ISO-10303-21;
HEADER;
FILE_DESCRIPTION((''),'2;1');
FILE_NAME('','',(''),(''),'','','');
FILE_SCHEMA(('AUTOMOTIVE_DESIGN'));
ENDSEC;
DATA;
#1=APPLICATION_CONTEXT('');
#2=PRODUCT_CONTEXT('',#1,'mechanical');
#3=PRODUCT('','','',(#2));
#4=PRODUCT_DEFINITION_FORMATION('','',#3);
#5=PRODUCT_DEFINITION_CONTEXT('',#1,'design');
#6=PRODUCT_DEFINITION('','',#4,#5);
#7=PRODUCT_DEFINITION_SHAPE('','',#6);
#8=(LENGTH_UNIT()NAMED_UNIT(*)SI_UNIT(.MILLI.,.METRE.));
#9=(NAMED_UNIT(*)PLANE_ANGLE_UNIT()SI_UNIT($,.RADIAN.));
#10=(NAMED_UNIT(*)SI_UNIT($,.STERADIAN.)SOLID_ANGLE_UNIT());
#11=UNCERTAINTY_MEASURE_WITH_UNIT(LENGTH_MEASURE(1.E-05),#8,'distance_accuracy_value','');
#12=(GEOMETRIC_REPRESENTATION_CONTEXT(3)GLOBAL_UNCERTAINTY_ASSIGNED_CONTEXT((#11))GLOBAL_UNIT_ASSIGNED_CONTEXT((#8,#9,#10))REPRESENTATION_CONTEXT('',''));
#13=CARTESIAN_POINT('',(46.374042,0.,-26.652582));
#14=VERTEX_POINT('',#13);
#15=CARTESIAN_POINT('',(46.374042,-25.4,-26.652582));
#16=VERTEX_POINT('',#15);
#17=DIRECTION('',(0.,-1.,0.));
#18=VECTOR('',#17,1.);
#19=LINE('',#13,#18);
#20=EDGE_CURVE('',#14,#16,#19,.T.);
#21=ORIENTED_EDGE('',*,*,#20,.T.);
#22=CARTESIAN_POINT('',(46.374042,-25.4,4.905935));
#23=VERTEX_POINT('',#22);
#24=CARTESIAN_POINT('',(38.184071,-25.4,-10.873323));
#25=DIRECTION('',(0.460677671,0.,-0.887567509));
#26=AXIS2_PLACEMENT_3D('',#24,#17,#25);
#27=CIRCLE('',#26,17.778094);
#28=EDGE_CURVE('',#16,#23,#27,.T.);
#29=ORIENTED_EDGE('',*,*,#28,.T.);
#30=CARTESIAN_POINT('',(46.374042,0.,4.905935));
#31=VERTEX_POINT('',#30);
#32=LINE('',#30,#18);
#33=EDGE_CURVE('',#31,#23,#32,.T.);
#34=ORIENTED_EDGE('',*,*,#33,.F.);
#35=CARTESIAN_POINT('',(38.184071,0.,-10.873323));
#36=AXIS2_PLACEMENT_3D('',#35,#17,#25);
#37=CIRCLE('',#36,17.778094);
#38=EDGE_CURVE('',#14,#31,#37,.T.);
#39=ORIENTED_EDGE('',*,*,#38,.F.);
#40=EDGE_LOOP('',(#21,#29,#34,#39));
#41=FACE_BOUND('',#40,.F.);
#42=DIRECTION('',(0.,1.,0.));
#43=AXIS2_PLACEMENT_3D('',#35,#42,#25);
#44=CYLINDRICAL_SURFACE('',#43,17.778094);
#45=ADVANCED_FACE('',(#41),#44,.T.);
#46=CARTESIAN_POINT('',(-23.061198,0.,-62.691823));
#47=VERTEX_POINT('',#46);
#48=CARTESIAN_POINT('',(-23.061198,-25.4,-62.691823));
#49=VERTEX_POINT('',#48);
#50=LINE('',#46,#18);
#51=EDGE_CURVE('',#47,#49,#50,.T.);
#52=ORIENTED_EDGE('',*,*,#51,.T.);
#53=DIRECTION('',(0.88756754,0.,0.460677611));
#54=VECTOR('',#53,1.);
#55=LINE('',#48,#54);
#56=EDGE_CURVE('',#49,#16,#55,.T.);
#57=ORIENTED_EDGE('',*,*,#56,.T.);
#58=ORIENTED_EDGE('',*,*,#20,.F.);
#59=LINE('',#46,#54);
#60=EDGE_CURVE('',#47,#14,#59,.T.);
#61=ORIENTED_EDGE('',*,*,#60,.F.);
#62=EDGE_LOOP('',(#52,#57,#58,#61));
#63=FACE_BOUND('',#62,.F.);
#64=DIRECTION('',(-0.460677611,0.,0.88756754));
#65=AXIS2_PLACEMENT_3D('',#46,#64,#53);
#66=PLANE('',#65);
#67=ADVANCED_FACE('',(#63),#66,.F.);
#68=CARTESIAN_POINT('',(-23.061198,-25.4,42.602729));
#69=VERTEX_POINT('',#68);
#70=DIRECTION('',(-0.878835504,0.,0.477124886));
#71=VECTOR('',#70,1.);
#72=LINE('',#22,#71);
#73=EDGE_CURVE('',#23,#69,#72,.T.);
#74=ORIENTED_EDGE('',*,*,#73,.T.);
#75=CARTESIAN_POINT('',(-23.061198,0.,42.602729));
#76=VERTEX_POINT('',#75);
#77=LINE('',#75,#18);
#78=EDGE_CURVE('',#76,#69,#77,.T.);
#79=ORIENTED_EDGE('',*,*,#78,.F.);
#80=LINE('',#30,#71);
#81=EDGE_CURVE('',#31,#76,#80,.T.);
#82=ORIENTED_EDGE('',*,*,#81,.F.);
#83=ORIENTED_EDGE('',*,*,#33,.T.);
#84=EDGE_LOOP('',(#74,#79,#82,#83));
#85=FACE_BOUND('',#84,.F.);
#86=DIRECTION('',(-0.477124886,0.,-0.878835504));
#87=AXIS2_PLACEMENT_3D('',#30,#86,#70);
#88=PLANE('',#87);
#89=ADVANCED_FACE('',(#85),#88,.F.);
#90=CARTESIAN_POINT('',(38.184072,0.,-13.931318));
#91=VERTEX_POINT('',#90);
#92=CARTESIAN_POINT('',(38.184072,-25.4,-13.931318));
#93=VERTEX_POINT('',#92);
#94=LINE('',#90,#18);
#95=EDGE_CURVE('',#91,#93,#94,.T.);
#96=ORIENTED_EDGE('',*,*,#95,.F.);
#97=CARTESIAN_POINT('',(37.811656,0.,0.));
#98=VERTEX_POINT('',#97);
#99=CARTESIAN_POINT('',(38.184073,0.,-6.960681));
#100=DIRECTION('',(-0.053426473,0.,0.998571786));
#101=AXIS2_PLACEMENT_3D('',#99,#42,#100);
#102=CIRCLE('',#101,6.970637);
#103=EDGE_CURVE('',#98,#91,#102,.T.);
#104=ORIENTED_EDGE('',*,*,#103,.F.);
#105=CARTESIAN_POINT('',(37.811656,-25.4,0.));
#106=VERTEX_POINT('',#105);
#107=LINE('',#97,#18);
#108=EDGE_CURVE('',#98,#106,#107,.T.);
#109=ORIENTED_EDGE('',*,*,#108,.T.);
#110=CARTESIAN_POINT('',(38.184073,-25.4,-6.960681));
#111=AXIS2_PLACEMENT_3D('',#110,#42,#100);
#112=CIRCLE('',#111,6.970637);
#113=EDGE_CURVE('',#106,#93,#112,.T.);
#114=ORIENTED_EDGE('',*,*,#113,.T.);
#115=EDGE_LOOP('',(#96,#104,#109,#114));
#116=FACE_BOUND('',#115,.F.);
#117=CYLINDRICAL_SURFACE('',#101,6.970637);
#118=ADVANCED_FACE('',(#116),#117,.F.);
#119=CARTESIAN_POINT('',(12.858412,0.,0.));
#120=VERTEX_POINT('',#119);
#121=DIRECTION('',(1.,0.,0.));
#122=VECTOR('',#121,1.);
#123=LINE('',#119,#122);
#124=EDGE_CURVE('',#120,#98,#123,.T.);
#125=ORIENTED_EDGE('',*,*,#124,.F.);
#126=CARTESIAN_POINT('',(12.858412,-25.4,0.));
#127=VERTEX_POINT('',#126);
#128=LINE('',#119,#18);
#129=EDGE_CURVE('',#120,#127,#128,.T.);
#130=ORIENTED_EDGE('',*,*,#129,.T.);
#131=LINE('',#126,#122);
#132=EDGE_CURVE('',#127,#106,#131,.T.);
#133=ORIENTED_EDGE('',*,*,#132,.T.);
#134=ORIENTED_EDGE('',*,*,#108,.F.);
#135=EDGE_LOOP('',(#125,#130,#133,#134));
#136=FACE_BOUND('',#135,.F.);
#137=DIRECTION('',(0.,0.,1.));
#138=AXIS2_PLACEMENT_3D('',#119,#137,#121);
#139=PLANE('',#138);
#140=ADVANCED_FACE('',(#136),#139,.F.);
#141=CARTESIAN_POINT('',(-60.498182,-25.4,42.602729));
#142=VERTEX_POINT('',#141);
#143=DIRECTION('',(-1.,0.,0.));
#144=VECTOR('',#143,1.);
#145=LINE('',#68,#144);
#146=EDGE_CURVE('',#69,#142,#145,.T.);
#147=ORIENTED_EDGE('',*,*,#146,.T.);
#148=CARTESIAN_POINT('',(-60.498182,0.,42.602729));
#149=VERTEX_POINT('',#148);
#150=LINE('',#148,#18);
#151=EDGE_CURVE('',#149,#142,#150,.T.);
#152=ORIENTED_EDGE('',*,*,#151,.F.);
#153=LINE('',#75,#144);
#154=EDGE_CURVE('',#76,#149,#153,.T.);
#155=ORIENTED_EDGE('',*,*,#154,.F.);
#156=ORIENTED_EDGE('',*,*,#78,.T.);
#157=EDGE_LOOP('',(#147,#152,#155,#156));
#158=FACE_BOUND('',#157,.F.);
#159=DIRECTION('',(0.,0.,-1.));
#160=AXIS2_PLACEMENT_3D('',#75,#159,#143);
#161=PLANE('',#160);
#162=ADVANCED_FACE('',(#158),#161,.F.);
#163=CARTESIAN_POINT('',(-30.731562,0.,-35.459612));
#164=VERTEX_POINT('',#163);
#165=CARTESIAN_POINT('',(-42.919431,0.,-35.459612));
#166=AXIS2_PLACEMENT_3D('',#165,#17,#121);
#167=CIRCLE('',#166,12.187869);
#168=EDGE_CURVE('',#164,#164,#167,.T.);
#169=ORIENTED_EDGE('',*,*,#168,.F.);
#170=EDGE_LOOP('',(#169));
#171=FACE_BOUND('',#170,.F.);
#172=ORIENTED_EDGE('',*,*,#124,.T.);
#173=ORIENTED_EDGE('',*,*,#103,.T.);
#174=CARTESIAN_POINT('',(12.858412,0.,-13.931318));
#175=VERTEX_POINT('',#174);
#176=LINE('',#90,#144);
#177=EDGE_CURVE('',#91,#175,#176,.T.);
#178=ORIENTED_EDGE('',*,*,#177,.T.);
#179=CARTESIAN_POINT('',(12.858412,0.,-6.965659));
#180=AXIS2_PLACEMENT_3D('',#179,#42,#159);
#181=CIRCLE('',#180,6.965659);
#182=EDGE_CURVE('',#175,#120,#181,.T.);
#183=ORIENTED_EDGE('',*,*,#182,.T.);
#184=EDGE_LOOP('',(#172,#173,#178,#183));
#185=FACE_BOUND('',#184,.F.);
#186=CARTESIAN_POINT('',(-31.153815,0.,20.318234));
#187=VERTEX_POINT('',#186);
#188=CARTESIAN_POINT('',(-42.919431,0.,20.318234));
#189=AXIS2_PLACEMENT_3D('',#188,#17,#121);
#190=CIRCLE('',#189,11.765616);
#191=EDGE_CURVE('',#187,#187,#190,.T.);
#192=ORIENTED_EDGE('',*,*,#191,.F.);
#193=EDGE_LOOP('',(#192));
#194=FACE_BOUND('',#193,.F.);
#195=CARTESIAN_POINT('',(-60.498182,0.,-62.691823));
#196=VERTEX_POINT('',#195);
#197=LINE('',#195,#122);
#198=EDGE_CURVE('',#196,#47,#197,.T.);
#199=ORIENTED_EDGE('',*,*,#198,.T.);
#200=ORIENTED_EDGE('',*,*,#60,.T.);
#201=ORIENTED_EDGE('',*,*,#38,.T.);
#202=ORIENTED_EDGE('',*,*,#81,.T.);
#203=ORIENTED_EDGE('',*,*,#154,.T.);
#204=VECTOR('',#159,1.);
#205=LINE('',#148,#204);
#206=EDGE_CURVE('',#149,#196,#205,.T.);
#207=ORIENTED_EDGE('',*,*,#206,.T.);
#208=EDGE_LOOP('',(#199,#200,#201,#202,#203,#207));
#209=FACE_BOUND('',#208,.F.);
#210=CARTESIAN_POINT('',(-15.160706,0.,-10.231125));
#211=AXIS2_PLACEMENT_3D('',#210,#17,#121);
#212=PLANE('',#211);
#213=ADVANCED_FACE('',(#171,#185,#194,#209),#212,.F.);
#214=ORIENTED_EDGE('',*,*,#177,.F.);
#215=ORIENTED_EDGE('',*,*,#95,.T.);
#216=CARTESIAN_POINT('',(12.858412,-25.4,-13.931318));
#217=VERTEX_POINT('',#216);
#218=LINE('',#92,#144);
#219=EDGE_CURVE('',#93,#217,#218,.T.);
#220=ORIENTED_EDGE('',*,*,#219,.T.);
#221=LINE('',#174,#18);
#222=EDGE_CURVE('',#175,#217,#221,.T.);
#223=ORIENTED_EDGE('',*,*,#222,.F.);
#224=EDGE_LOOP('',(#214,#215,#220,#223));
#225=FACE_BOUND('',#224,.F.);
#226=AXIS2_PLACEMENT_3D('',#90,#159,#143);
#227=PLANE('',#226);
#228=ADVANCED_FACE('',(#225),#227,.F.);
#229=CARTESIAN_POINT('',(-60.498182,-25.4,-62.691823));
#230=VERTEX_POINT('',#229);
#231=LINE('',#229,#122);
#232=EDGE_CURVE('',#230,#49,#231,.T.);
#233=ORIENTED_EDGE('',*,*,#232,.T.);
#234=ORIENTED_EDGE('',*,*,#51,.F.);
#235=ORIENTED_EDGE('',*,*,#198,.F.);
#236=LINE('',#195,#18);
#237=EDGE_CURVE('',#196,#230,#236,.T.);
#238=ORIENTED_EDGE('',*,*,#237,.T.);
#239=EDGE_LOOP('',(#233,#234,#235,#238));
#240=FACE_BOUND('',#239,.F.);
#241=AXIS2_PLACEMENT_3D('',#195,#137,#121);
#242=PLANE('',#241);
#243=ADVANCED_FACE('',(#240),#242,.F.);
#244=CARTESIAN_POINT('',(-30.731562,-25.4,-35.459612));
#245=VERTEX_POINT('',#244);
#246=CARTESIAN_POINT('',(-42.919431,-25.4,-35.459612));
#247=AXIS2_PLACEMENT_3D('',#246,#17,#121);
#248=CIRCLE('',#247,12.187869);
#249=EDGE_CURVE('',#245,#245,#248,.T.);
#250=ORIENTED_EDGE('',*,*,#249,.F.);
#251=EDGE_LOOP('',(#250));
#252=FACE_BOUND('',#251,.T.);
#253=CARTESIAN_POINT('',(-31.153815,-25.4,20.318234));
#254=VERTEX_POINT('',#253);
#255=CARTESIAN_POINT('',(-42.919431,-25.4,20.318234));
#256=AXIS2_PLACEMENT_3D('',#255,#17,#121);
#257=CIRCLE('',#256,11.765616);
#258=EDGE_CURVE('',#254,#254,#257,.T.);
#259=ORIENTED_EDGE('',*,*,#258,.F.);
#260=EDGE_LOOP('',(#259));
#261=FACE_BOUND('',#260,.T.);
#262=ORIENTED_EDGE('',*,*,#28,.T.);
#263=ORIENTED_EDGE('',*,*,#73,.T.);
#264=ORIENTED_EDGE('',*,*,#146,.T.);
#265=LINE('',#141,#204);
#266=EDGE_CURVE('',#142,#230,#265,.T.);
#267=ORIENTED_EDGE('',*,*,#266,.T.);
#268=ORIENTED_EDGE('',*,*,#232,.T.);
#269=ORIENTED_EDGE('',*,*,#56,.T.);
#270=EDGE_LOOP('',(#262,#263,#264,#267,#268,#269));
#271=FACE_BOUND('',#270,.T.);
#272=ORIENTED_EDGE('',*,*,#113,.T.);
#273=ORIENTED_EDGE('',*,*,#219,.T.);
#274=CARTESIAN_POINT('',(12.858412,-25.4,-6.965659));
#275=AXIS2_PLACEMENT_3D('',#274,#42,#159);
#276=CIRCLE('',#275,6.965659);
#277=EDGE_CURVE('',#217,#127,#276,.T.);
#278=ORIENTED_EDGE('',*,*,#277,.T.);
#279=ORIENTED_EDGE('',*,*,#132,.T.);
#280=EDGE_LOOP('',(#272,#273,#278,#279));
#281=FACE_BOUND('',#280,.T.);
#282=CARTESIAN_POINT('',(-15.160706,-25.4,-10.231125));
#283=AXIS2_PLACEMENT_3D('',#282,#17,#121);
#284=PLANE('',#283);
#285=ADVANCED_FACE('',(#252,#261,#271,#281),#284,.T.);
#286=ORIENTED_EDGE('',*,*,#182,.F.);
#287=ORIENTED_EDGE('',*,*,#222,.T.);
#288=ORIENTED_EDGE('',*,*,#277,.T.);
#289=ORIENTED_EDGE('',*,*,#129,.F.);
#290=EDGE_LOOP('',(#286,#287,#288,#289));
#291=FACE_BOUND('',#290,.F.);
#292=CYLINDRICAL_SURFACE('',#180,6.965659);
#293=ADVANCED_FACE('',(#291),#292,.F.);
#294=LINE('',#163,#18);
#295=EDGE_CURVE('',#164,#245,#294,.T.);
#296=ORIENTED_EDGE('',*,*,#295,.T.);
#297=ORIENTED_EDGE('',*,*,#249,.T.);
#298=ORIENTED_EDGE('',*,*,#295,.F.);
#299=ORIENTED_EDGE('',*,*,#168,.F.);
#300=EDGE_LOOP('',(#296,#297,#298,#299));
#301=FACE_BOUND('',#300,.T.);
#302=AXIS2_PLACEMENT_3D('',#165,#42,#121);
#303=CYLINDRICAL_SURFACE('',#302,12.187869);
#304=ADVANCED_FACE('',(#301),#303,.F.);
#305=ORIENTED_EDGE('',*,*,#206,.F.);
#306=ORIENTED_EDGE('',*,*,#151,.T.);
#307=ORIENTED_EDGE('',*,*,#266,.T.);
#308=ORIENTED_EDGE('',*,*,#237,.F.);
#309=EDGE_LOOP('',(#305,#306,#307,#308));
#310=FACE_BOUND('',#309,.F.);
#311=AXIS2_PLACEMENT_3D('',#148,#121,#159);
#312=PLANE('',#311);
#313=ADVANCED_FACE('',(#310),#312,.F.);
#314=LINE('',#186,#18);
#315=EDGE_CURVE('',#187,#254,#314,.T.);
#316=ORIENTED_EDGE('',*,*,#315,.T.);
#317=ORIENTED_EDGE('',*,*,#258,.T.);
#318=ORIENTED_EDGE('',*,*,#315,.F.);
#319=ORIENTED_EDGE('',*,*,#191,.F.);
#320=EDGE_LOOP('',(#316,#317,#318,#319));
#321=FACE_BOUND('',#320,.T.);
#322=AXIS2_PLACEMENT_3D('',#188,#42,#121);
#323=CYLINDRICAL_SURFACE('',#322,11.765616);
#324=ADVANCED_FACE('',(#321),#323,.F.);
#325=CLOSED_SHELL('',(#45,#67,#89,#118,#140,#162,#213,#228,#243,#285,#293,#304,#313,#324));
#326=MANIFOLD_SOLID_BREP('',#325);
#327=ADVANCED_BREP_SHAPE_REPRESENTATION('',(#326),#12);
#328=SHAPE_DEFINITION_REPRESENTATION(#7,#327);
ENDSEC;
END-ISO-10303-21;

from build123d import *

# Parameters (mm, degrees)
F0_R     = 12.187869
F0_R_2   = 11.765616
F1_DEPTH = 25.4


with BuildPart() as f1:
    # F0 (on Front) → F1 (new body)
    with BuildSketch(Plane.XZ):
        with BuildLine():
            Line((-23.061198, 42.602729), (-60.498182, 42.602729))
            Line((-60.498182, 42.602729), (-60.498182, -62.691823))
            Line((-60.498182, -62.691823), (-23.061198, -62.691823))
            Line((-23.061198, -62.691823), (46.374042, -26.652582))
            ThreePointArc((46.374042, -26.652582), (55.962165, -10.873324), (46.374042, 4.905935))
            Line((46.374042, 4.905935), (-23.061198, 42.602729))
        make_face()
        with Locations((-42.919431, -35.459612)):
            Circle(F0_R, mode=Mode.SUBTRACT)
        with Locations((-42.919431, 20.318234)):
            Circle(F0_R_2, mode=Mode.SUBTRACT)
        with BuildLine():
            ThreePointArc((12.858412, -13.931318), (5.892753, -6.965659), (12.858412, 0))
            Line((12.858412, 0), (37.811656, 0))
            ThreePointArc((37.811656, 0), (45.15222, -6.774407), (38.184072, -13.931318))
            Line((38.184072, -13.931318), (12.858412, -13.931318))
        make_face(mode=Mode.SUBTRACT)
    extrude(amount=F1_DEPTH)


solid = f1.part
